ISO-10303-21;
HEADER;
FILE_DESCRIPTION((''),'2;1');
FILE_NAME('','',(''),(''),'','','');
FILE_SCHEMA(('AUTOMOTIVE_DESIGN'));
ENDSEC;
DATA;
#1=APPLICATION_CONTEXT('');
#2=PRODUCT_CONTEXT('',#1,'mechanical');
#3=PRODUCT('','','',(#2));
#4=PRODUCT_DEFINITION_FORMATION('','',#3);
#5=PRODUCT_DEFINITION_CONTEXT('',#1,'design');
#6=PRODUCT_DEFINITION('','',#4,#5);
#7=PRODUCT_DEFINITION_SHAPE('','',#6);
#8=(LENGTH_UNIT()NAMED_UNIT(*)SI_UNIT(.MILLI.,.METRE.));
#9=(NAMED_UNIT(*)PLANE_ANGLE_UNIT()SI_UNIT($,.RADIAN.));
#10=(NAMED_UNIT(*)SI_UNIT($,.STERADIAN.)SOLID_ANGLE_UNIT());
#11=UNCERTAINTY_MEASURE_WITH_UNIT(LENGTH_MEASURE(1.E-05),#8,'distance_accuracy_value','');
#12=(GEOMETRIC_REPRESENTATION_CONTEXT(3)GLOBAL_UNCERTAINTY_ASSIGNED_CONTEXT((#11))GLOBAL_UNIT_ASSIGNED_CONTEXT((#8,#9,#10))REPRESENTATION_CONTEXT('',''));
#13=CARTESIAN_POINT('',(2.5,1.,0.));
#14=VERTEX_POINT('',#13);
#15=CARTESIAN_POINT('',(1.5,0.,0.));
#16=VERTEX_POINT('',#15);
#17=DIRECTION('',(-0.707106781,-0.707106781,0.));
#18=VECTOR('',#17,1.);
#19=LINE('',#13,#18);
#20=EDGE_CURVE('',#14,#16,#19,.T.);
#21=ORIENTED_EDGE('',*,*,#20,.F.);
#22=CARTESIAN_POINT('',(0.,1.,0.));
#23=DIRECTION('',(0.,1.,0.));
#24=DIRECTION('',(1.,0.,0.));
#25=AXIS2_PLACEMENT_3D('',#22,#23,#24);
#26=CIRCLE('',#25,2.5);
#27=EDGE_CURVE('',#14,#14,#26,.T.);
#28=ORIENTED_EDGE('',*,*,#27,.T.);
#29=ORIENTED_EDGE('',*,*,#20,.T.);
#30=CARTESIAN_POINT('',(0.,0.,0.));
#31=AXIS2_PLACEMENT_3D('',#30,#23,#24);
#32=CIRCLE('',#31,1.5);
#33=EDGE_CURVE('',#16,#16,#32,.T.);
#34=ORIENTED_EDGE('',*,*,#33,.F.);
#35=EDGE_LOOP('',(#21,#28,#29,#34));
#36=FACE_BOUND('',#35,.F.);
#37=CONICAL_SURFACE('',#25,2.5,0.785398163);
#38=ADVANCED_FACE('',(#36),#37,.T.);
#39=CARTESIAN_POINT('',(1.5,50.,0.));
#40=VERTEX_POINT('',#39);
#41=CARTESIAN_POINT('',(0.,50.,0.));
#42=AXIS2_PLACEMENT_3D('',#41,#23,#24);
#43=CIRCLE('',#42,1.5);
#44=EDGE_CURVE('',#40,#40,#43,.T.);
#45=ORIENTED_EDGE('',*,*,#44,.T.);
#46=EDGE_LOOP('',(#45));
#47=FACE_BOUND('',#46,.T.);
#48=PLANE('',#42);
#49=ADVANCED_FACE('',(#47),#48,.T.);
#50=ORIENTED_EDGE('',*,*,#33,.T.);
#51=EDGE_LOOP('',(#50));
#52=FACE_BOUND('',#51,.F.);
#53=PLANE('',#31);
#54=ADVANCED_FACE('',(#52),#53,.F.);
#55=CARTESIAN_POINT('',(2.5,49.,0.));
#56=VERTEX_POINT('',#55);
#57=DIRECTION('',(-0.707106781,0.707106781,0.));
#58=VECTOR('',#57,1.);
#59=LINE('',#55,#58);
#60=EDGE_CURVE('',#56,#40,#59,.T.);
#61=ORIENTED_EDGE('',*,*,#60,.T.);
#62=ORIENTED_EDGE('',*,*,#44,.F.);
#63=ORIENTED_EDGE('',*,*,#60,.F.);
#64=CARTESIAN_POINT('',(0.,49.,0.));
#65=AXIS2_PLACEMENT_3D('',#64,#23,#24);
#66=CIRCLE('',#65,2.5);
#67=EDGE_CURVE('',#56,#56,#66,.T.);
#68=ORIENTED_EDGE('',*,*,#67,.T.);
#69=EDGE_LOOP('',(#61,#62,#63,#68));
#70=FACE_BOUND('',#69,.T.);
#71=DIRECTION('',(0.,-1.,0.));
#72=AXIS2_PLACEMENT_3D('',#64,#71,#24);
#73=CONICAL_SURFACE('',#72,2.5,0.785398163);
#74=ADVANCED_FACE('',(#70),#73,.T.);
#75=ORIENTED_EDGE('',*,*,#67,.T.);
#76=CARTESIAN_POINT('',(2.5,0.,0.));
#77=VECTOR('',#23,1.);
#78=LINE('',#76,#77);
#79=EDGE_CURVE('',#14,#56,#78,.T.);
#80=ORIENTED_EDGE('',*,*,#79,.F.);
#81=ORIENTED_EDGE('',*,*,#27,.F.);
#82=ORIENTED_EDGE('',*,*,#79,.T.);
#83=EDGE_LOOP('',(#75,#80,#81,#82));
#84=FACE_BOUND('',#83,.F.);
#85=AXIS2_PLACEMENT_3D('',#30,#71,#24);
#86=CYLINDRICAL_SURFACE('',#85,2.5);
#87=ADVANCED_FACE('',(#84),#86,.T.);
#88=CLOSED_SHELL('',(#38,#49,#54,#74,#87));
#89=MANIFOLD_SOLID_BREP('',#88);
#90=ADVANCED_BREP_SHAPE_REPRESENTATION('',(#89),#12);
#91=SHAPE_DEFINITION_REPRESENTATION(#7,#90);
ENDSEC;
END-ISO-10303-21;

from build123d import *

# Parameters (mm, degrees)
SKETCH1_R           = 2.5
BOSS_EXTRUDE1_DEPTH = 50
CHAMFER1_SIZE       = 1


with BuildPart() as part:
    # Sketch1 → Boss-Extrude1 (new body)
    with BuildSketch(Plane(origin=(0, 0, 0), x_dir=(1, 0, 0), z_dir=(0, 1, 0))):
        Circle(SKETCH1_R)
    extrude(amount=BOSS_EXTRUDE1_DEPTH)

    # Chamfer1
    chamfer1_edges = [part.edges().sort_by_distance(p)[0] for p in [
        (-2.5, 0, 0),
        (-2.5, 50, 0),
    ]]
    chamfer(chamfer1_edges, length=CHAMFER1_SIZE)


solid = part.part
